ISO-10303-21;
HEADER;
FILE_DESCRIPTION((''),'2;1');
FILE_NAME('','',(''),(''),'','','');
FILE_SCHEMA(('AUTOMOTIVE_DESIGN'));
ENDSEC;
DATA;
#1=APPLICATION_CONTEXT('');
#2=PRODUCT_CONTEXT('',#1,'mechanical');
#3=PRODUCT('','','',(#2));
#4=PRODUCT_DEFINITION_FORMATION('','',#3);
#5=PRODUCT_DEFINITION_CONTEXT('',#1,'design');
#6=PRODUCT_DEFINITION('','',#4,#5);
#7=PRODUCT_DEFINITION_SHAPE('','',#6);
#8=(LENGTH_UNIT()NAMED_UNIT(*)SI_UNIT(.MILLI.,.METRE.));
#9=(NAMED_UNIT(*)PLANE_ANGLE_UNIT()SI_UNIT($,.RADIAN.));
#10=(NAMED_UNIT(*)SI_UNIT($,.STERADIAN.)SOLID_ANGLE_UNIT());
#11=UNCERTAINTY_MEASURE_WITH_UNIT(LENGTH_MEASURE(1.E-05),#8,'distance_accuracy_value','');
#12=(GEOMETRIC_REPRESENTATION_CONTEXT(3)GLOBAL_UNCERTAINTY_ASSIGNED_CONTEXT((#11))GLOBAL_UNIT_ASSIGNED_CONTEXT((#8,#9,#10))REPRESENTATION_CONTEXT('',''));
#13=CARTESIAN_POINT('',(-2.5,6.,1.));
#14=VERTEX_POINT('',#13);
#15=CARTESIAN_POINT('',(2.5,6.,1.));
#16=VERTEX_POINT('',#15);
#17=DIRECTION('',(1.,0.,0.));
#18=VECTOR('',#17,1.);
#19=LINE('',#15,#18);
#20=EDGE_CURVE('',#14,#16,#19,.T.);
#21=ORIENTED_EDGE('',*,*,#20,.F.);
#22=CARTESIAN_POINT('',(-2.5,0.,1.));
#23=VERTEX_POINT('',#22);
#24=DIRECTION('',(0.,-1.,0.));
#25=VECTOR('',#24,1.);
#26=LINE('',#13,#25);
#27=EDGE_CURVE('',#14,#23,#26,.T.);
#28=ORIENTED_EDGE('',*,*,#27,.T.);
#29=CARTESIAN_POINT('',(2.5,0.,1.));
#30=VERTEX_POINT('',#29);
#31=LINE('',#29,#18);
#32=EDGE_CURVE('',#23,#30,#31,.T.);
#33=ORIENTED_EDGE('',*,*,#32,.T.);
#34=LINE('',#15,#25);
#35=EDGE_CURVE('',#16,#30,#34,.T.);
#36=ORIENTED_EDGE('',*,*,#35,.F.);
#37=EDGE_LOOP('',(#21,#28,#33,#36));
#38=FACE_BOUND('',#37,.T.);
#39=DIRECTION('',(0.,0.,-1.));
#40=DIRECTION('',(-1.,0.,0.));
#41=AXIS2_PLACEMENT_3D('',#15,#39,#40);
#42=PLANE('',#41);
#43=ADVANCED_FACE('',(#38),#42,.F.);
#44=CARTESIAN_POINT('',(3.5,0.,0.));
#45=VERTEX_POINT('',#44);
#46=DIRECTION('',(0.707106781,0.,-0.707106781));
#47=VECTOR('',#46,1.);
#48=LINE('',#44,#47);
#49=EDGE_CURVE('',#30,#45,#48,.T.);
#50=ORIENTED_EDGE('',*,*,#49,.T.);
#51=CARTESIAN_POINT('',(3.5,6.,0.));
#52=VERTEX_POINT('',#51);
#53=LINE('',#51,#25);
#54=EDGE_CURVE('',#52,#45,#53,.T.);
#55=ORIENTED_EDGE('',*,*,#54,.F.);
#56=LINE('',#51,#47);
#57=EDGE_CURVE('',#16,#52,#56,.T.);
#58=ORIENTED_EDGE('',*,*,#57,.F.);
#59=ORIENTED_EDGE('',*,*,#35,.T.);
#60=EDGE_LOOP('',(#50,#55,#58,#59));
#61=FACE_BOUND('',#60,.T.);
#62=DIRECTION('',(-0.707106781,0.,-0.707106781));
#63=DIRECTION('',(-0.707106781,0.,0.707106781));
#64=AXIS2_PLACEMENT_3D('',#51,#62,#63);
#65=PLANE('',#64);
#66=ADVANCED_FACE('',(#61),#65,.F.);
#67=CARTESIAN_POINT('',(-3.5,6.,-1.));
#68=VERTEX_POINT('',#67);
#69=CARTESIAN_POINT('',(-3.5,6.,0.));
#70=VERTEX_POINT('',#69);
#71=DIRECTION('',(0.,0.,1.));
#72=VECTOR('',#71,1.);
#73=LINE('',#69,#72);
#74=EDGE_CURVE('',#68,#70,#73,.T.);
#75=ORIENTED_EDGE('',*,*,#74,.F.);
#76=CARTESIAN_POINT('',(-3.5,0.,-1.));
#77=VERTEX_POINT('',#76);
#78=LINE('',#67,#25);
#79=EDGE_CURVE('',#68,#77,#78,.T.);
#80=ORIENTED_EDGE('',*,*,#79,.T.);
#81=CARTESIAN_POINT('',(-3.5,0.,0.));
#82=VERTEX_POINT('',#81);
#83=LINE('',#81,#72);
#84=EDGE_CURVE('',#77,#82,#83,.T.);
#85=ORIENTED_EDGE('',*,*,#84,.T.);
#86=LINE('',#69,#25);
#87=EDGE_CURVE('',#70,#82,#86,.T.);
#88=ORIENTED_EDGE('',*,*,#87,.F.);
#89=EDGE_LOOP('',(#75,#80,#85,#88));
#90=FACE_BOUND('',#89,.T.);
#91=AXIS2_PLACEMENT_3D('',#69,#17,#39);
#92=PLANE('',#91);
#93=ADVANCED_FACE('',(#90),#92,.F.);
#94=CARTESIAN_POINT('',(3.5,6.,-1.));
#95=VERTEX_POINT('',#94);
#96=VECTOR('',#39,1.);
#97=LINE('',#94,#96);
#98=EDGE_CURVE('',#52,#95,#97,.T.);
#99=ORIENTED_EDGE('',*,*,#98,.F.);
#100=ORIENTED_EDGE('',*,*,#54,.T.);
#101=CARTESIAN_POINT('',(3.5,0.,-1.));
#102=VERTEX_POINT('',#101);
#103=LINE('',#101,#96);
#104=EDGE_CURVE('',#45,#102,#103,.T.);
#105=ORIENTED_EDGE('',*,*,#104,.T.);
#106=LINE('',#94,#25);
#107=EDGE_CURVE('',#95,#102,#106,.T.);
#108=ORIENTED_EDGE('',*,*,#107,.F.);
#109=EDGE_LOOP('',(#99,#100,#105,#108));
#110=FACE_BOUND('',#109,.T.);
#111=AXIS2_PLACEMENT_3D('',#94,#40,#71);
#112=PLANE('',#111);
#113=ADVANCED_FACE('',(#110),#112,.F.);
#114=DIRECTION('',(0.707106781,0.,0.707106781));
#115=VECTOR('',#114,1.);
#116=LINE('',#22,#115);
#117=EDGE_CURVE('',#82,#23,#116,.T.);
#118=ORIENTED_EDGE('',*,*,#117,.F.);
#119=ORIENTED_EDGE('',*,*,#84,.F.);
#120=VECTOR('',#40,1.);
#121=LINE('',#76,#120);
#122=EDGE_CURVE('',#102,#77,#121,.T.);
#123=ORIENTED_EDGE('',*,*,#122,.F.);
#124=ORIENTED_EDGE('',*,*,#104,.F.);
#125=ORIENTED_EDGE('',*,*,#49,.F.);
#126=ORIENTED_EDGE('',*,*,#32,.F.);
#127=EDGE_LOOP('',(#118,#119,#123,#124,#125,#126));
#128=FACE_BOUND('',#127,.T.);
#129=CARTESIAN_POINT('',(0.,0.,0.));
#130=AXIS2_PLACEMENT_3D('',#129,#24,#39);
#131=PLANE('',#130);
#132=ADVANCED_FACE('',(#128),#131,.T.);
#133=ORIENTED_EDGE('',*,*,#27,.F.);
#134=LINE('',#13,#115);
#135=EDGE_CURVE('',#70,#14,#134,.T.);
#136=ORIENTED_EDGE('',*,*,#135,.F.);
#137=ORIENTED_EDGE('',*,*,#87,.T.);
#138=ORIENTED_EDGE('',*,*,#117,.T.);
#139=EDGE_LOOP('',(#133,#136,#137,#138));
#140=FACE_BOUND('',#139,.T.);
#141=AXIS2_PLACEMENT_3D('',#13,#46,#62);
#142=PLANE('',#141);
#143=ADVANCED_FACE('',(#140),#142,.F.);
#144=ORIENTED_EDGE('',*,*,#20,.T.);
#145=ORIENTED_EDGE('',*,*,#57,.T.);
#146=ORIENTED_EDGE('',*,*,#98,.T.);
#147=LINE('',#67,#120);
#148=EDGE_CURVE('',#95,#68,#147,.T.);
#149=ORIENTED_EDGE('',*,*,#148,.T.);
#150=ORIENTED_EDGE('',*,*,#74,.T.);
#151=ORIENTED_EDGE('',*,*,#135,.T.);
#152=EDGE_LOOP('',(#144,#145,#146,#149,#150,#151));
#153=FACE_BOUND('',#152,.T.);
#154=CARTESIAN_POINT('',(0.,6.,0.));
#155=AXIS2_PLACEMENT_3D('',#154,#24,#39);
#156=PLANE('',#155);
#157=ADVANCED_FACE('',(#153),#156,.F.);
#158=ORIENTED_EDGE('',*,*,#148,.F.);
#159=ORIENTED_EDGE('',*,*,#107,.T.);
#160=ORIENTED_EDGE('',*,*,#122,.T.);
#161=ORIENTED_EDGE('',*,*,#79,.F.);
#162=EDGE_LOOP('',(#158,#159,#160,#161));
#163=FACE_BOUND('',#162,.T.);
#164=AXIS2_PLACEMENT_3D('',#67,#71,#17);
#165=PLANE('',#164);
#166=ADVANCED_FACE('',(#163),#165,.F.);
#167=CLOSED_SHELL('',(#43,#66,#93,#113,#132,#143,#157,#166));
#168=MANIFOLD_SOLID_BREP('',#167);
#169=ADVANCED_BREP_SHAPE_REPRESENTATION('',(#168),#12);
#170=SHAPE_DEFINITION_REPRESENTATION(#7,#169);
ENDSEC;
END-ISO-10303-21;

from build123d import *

# Parameters (mm, degrees)
BOSS_EXTRUDE1_DEPTH = 6


with BuildPart() as part:
    # Sketch1 → Boss-Extrude1 (new body)
    with BuildSketch(Plane(origin=(0, 0, 0), x_dir=(1, 0, 0), z_dir=(0, 1, 0))):
        Polygon((-3.5, 1), (3.5, 1), (3.5, 0), (2.5, -1), (-2.5, -1), (-3.5, 0), align=None)
    extrude(amount=BOSS_EXTRUDE1_DEPTH)


solid = part.part
